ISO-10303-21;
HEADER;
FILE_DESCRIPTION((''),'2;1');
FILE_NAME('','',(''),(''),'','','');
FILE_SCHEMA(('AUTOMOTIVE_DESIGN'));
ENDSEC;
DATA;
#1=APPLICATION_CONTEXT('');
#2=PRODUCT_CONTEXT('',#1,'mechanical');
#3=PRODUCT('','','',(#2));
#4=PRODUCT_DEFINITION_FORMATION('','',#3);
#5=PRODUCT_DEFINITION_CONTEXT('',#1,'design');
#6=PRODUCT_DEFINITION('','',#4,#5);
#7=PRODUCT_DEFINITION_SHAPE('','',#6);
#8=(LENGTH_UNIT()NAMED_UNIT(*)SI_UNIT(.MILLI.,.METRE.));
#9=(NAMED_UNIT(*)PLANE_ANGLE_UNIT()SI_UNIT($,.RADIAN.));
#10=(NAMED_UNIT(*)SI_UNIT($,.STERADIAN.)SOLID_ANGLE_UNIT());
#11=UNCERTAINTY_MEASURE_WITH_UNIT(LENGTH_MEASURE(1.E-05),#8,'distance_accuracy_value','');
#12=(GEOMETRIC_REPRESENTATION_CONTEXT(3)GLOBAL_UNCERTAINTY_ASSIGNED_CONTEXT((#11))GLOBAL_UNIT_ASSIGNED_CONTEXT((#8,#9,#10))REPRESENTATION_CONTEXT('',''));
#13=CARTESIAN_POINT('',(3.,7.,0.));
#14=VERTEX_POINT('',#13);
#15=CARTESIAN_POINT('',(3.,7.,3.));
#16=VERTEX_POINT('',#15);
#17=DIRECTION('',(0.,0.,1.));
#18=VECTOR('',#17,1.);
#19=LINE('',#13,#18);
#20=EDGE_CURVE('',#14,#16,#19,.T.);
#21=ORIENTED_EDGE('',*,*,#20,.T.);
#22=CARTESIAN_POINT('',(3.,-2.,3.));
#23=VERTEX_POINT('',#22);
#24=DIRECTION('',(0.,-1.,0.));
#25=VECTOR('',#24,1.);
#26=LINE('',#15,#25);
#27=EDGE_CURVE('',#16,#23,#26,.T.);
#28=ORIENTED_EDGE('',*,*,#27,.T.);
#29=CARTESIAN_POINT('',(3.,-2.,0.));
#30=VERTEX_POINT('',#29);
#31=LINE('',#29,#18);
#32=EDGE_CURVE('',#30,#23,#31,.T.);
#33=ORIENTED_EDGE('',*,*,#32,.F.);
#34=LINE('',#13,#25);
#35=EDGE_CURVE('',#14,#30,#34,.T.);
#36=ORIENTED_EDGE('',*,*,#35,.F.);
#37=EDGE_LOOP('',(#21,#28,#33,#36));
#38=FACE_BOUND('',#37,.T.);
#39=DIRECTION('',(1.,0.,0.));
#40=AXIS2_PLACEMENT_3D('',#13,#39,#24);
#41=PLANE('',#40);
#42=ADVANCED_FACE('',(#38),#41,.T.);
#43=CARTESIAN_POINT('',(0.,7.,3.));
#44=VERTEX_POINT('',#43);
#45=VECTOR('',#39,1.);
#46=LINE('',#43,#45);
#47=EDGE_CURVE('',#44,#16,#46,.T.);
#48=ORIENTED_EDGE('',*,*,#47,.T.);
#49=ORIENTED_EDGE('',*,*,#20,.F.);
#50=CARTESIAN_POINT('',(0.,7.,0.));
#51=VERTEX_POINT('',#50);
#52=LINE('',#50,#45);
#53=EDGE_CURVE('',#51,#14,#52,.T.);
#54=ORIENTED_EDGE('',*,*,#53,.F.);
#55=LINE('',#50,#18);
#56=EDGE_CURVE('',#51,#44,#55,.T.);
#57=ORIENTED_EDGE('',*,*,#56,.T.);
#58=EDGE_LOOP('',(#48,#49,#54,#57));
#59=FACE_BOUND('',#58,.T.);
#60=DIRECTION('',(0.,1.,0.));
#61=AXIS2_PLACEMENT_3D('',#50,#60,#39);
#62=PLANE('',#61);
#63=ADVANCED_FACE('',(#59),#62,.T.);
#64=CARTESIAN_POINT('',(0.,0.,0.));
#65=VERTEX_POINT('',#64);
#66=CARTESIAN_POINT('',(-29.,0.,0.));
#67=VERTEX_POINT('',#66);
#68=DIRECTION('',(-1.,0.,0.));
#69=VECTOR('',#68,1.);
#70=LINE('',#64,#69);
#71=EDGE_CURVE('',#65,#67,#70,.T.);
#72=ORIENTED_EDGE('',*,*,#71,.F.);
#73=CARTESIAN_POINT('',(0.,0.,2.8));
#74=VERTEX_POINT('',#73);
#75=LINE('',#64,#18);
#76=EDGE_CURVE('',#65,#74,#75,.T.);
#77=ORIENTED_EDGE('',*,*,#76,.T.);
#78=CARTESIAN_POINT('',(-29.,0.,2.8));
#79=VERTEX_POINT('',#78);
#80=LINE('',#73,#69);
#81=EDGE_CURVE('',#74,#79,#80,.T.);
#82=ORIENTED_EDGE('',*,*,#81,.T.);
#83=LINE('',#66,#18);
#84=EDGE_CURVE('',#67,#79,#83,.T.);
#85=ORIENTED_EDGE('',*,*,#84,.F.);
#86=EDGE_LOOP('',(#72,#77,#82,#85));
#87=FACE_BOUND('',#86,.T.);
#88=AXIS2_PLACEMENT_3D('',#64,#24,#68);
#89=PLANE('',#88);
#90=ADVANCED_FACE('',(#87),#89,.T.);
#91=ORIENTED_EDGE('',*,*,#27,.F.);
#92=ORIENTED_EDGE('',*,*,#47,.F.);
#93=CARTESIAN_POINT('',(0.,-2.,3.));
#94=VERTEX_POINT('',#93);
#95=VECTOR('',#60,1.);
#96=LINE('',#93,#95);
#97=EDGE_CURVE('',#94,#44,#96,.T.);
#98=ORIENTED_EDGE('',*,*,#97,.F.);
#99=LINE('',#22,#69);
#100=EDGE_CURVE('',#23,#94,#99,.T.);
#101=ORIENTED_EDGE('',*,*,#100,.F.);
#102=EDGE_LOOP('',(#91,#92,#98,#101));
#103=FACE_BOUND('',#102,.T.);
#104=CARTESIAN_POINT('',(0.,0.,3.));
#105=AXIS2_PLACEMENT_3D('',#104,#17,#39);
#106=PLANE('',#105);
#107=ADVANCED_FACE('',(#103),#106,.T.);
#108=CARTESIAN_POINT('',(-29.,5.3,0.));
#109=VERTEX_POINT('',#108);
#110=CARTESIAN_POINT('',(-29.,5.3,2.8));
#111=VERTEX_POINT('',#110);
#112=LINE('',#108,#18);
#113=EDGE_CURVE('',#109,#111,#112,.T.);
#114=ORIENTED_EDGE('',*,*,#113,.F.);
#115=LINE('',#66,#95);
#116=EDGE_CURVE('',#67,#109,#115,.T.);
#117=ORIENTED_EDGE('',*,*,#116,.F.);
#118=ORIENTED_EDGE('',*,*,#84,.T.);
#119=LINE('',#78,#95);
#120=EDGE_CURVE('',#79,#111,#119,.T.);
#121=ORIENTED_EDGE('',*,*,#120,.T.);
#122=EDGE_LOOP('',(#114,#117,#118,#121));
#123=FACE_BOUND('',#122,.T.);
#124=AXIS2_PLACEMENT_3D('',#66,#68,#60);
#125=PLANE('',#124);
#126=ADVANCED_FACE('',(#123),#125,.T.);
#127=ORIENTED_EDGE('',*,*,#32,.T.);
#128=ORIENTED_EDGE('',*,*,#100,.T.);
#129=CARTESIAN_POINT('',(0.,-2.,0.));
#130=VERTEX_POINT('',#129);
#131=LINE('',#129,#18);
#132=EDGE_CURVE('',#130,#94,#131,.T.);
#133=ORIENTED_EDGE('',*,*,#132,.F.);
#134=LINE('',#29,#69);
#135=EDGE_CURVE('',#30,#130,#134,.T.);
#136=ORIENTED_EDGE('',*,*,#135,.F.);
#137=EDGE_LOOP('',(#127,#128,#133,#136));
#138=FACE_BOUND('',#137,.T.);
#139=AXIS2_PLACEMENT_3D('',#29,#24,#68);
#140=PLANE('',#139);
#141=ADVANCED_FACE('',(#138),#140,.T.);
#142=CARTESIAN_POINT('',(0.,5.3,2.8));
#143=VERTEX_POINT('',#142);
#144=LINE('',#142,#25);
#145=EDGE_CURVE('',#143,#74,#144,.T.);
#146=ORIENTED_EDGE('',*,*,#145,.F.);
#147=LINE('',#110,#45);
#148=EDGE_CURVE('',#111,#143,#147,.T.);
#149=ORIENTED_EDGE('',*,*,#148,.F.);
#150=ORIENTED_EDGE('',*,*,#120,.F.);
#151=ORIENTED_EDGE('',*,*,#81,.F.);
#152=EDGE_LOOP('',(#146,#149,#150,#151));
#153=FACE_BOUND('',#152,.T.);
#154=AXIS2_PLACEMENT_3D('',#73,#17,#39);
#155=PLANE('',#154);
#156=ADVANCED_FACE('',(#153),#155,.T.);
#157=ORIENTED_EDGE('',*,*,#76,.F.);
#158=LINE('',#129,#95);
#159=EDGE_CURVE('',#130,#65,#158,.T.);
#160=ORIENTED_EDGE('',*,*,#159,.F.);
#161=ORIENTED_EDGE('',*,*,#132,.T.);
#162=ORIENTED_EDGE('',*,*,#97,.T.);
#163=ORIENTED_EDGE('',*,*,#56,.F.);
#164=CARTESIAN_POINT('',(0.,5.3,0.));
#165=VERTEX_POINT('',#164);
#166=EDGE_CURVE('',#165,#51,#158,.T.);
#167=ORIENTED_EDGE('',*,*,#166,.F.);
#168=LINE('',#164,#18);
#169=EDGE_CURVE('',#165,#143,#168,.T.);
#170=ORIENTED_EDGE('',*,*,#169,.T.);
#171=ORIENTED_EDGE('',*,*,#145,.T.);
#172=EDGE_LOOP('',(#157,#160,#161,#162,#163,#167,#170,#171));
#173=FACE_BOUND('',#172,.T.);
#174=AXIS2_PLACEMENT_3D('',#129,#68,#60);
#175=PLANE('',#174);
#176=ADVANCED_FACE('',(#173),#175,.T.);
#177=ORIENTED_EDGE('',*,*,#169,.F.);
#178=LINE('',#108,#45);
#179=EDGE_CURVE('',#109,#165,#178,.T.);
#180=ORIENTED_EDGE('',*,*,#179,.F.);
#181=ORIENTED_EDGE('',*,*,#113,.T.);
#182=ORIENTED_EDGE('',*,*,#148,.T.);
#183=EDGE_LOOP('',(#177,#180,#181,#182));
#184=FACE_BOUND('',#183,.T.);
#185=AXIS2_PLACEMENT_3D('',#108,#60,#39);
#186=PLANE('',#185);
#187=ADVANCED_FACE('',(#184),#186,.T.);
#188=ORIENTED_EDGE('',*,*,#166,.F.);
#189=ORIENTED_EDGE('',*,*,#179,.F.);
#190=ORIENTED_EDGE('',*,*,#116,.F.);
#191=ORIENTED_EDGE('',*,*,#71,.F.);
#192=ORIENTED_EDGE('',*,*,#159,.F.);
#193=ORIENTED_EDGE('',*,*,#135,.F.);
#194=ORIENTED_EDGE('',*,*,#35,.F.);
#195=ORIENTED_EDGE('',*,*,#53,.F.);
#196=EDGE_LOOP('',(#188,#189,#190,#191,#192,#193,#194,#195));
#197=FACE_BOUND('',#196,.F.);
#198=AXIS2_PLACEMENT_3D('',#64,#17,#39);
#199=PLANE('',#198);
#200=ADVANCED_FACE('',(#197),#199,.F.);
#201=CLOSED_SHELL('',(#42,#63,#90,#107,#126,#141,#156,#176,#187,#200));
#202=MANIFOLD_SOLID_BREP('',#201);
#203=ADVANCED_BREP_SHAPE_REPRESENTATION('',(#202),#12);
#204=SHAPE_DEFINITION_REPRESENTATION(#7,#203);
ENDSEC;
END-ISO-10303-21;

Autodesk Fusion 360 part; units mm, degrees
sketch "Esquisse1" plane through (0, 0, 0) normal (0, 0, 1) x (1, 0, 0)
  line L0 (0, 0) -> (-29, 0)
  line L1 (-29, 0) -> (-29, 5.3)
  line L2 (-29, 5.3) -> (0, 5.3)
  line L3 (0, 5.3) -> (0, 0)
  dimension "d1" = 5.3
  dimension "d2" = 29
extrude "Extrusion2" add sketch "Esquisse1" along normal blind 2.8
sketch "Esquisse2" plane through (0, 0, 0) normal (0, 0, 1) x (1, 0, 0)
  line L0 (0, 7) -> (3, 7)
  line L1 (3, 7) -> (3, -2)
  line L2 (3, -2) -> (0, -2)
  line L3 (0, -2) -> (0, 7)
  dimension "d7" = 3
  dimension "d8" = 9
extrude "Extrusion3" add sketch "Esquisse2" along normal blind 3
